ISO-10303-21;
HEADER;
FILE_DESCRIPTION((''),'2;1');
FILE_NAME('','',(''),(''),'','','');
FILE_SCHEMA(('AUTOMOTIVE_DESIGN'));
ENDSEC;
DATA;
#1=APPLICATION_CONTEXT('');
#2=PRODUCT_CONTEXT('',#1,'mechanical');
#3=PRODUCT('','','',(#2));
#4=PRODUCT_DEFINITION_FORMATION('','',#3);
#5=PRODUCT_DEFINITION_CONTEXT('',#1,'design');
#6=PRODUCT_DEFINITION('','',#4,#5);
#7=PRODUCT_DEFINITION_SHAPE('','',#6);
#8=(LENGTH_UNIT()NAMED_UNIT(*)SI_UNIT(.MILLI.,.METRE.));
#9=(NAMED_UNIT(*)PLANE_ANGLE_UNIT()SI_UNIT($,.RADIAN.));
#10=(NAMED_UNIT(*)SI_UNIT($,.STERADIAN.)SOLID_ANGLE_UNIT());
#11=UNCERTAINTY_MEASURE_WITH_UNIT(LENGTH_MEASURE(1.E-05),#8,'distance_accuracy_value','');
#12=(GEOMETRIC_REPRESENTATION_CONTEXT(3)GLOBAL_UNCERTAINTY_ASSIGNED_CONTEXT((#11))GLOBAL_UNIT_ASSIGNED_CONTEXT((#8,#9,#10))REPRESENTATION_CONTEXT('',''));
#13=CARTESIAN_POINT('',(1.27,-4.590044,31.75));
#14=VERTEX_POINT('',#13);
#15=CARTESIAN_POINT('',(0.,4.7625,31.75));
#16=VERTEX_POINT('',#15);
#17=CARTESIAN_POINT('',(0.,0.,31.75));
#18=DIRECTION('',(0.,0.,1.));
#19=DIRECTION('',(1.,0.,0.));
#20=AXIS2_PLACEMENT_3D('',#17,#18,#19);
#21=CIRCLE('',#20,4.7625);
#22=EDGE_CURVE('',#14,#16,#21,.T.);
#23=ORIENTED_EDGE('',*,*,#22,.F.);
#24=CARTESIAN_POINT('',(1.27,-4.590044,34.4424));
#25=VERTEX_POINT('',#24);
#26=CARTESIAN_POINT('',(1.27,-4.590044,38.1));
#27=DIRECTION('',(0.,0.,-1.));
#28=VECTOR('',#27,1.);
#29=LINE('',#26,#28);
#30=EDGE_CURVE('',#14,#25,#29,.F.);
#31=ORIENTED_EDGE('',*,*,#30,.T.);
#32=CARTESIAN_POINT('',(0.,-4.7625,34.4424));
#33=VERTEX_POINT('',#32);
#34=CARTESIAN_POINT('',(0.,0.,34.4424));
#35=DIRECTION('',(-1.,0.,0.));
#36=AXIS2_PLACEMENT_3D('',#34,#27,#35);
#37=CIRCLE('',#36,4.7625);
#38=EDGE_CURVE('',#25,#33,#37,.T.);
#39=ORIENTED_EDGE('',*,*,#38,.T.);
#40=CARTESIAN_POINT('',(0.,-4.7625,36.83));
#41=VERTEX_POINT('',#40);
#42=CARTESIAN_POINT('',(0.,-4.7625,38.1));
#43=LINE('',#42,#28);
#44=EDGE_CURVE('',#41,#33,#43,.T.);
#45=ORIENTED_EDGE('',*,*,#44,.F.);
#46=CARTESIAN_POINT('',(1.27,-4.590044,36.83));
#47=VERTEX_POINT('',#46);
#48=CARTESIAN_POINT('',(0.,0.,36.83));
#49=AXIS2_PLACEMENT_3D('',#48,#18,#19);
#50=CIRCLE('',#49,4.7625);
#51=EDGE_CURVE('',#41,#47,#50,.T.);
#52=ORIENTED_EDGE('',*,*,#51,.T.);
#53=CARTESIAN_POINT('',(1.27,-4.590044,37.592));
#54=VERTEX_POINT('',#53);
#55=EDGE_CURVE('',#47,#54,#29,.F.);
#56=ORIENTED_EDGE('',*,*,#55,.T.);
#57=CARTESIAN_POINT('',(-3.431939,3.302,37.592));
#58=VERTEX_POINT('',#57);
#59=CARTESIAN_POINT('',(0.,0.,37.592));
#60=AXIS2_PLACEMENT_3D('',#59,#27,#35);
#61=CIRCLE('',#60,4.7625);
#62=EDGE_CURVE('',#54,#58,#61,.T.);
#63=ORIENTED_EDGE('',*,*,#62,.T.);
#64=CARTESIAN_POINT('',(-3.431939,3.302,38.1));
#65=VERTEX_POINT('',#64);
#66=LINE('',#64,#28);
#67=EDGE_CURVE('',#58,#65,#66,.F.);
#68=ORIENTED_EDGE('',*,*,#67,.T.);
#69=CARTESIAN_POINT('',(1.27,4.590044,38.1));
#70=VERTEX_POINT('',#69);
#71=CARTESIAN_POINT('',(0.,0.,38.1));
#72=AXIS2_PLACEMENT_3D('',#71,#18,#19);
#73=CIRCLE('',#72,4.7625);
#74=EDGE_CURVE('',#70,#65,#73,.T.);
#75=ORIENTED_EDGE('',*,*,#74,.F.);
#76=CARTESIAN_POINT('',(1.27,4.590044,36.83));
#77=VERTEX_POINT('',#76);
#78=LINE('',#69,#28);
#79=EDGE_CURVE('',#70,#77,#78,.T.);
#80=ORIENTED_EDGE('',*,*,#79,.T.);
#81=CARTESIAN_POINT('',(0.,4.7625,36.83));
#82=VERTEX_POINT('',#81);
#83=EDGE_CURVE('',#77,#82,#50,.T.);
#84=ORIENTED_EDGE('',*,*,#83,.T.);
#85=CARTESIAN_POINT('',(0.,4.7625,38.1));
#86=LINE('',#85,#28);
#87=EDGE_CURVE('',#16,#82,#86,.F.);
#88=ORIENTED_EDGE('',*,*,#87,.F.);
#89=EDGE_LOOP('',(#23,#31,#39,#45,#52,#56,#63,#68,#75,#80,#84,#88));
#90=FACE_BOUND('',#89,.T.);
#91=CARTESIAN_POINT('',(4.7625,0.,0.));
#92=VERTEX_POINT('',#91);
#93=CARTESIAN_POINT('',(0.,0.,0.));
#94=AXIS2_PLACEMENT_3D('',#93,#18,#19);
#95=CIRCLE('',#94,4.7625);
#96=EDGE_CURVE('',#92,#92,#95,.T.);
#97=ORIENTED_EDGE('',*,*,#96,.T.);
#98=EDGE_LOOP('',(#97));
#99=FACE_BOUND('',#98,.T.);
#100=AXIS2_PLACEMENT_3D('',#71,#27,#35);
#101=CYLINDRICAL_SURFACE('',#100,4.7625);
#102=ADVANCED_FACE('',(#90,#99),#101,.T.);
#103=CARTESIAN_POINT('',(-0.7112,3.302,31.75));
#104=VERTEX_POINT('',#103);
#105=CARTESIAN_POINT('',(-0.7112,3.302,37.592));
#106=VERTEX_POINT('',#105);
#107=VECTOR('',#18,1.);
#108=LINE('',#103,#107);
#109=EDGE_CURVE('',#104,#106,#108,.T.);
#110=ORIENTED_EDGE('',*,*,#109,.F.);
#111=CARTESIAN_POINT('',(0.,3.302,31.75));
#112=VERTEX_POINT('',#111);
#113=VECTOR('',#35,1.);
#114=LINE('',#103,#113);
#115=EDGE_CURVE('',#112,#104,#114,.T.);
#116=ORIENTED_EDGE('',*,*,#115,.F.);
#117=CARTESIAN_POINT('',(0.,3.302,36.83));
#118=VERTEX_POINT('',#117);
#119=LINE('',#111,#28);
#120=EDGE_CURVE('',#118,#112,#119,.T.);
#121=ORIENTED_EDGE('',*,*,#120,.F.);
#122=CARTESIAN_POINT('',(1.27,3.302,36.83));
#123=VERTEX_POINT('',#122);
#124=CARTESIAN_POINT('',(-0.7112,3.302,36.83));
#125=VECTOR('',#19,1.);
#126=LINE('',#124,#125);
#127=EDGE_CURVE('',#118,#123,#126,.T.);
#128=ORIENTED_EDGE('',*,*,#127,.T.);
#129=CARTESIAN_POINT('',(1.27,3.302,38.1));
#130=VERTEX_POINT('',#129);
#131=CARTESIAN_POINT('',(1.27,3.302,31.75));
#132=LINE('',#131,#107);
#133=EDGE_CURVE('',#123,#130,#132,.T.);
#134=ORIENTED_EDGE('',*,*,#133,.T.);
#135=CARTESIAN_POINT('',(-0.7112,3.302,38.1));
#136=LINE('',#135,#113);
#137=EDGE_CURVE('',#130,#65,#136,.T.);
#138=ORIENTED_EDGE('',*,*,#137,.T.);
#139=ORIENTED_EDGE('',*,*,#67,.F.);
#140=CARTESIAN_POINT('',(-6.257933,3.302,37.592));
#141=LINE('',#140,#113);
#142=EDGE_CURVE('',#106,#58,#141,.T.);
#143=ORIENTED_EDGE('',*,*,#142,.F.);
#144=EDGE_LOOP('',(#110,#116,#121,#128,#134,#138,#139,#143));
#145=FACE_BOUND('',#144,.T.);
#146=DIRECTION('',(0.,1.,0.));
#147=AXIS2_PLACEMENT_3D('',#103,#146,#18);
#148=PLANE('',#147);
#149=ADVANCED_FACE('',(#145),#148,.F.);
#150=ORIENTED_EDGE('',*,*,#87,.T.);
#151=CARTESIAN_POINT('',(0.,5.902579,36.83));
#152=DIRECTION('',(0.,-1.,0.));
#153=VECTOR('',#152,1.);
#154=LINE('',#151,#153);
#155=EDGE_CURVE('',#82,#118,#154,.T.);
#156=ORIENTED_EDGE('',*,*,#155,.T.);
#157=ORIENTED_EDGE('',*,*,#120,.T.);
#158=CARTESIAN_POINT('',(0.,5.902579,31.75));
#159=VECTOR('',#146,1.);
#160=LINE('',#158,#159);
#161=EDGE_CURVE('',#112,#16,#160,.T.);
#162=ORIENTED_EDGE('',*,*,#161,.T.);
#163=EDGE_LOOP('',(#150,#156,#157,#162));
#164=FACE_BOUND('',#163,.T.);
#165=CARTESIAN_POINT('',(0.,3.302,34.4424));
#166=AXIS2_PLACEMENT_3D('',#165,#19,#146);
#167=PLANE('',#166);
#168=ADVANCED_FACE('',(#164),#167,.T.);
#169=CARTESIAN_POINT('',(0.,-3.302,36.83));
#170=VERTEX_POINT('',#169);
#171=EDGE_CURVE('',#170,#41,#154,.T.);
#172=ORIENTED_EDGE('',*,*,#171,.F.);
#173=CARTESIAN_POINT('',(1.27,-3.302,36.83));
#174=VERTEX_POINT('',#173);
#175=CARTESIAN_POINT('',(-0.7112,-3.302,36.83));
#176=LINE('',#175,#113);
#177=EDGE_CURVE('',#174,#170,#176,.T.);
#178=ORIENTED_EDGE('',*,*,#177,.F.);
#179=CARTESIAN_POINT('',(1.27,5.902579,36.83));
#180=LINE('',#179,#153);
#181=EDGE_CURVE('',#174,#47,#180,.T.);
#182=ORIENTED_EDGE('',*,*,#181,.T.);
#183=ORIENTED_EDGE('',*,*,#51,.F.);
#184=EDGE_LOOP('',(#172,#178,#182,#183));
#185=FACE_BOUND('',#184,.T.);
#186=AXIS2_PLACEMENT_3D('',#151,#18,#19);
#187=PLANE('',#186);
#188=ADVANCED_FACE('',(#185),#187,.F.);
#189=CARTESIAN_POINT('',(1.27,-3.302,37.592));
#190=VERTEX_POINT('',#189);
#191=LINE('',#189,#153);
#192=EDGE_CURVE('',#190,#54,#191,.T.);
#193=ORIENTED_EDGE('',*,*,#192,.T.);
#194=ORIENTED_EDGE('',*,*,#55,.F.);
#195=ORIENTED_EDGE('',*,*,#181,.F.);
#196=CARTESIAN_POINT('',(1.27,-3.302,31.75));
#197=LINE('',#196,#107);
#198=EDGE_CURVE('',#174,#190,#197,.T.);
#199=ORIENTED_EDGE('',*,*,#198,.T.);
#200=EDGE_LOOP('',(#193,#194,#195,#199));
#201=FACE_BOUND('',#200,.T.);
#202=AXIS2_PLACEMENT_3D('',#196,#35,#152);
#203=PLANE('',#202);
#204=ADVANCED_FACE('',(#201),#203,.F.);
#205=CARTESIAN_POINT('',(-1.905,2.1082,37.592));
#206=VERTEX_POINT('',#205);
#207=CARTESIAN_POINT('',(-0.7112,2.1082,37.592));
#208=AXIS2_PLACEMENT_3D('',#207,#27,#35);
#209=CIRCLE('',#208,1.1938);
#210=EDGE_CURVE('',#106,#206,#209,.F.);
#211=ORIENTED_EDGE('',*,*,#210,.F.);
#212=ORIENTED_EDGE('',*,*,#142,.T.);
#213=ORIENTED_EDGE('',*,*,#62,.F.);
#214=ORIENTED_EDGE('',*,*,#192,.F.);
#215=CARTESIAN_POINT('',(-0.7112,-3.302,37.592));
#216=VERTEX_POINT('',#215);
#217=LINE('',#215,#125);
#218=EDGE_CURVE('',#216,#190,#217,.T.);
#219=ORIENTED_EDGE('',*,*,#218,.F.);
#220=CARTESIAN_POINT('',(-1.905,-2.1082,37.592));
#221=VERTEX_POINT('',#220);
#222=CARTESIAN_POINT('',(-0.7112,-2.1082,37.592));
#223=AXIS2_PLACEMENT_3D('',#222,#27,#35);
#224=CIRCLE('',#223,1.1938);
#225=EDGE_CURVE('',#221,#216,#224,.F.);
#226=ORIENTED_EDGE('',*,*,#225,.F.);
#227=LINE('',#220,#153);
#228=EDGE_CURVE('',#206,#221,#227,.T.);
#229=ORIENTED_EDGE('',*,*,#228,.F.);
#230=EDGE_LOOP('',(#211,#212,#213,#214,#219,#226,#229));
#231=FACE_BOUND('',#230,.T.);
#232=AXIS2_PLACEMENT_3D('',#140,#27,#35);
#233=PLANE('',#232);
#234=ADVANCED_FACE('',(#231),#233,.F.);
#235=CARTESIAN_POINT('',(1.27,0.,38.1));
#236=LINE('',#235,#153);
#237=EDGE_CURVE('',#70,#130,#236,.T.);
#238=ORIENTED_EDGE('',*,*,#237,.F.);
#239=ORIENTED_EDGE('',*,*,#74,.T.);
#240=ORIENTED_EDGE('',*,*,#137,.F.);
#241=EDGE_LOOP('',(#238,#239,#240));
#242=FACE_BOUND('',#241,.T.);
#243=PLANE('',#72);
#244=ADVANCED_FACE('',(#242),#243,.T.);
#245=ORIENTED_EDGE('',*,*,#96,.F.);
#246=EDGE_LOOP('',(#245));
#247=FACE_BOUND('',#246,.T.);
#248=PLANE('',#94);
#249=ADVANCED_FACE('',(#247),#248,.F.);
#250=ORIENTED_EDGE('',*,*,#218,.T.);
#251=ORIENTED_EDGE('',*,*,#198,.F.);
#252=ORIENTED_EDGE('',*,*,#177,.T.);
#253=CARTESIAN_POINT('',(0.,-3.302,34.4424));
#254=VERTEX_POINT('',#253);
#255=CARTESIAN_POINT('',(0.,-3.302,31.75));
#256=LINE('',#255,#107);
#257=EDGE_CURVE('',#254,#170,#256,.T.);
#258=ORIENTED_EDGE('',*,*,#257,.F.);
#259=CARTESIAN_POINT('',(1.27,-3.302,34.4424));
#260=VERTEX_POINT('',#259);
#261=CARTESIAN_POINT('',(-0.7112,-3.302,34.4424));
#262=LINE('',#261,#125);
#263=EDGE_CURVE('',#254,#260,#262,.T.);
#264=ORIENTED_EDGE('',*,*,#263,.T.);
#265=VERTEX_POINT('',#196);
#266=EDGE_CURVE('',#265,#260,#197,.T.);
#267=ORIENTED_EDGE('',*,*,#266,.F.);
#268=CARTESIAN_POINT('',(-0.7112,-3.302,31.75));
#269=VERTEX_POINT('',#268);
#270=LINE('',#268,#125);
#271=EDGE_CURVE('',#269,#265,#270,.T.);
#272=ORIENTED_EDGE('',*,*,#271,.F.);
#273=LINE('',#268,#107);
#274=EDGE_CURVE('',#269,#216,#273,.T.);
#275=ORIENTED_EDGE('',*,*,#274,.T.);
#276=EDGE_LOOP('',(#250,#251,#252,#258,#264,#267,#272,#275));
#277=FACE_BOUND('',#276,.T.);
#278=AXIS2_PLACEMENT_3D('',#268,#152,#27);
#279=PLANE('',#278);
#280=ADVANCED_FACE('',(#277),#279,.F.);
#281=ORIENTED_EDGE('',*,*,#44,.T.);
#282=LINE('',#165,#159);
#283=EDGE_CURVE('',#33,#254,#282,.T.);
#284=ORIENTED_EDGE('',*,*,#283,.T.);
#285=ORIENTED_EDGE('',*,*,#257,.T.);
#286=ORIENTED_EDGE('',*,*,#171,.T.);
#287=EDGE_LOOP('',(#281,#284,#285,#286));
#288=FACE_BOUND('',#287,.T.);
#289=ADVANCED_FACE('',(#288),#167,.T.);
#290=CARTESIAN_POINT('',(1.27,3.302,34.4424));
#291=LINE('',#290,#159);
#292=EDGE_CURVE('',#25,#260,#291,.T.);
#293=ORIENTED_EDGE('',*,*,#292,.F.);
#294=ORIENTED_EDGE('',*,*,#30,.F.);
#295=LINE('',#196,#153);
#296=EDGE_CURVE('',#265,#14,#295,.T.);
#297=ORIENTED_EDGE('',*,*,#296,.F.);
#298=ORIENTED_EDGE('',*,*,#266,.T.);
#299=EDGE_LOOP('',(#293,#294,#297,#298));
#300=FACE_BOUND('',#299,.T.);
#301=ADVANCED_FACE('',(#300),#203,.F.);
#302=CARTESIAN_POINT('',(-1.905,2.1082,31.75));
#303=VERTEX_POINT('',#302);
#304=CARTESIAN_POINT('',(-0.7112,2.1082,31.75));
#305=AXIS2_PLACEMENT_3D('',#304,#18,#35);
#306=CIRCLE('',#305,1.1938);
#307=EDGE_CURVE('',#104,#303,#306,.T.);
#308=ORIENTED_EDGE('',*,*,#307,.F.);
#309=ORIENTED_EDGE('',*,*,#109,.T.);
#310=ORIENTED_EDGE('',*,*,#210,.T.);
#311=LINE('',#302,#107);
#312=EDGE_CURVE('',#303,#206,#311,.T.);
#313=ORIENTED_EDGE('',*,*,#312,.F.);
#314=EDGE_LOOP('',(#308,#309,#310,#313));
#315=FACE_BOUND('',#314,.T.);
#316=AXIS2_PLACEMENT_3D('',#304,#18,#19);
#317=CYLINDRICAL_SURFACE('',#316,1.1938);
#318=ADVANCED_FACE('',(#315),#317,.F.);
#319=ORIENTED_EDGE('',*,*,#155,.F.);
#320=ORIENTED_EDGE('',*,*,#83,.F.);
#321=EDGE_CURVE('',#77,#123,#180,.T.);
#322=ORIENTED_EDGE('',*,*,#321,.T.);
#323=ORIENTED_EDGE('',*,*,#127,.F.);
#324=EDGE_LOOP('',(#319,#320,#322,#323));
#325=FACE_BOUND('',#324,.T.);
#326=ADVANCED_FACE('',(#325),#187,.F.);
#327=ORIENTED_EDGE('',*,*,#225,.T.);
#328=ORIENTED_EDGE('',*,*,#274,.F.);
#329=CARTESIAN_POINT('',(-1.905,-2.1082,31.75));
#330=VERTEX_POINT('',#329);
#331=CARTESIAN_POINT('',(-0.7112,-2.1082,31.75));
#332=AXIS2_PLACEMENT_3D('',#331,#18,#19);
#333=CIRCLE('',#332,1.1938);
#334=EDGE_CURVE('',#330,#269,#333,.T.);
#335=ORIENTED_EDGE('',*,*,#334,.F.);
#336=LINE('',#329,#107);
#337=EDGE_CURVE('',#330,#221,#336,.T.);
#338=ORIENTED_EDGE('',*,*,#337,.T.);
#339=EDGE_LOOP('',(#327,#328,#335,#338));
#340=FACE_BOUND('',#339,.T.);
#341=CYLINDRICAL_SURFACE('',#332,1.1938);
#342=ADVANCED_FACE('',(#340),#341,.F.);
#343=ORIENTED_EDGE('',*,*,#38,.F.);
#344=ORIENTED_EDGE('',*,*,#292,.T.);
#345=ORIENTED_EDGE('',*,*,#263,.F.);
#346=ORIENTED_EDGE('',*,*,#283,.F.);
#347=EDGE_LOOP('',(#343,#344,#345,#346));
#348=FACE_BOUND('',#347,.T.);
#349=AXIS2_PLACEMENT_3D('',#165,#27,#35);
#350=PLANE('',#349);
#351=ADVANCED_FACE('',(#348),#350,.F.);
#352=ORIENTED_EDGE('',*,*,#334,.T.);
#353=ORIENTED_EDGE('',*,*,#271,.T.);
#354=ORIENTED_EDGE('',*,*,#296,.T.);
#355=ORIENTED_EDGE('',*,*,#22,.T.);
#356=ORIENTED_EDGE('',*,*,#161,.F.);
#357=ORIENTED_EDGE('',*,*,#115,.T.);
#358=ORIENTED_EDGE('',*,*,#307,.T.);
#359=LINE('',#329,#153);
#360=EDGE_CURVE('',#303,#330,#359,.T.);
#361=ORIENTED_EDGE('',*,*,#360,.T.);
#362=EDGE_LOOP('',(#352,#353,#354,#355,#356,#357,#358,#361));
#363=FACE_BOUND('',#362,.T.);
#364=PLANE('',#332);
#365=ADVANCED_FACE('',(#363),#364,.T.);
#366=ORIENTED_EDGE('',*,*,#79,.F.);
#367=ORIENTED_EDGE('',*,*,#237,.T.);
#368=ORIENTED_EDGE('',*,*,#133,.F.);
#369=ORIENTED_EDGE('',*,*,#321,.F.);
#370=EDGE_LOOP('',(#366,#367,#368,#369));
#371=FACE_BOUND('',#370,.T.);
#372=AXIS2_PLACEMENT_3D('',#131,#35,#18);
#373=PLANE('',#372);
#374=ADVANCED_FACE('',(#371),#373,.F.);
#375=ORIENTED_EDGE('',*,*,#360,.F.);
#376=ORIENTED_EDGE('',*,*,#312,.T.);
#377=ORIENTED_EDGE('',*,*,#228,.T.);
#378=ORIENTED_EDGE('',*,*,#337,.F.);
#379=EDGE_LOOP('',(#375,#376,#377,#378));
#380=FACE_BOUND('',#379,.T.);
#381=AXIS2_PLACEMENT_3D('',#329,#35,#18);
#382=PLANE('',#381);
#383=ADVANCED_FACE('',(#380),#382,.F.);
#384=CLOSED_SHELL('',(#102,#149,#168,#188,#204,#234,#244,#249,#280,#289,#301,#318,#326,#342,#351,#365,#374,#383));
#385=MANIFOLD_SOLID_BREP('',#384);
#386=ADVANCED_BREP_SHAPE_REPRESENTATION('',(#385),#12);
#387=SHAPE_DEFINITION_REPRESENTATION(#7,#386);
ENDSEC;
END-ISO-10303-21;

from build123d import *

# Parameters (mm, degrees)
SKETCH1_R      = 4.7625
EXTRUDE1_DEPTH = 38.1
EXTRUDE2_DEPTH = 6.35
SKETCH4_W      = 11.994523233
SKETCH4_H      = 10.10814551
EXTRUDE4_DEPTH = 0.508
EXTRUDE5_DEPTH = 1.27


with BuildPart() as part:
    # Sketch1 → Extrude1 (new body)
    with BuildSketch(Plane.XY):
        Circle(SKETCH1_R)
    extrude(amount=EXTRUDE1_DEPTH)

    # Sketch2 → Extrude2 (cut)
    with BuildSketch(Plane.XY.offset(38.1)):
        with BuildLine():
            Line((-0.7112, 3.302), (1.27, 3.302))
            Line((1.27, 3.302), (1.27, 10.556011527))
            Line((1.27, 10.556011527), (23.809552604, 10.556011527))
            Line((23.809552604, 10.556011527), (23.809552604, -10.556011527))
            Line((23.809552604, -10.556011527), (1.27, -10.556011527))
            Line((1.27, -10.556011527), (1.27, -3.302))
            Line((1.27, -3.302), (-0.7112, -3.302))
            ThreePointArc((-0.7112, -3.302), (-1.555344075, -2.952344075), (-1.905, -2.1082))
            Line((-1.905, -2.1082), (-1.905, 2.1082))
            ThreePointArc((-1.905, 2.1082), (-1.555344075, 2.952344075), (-0.7112, 3.302))
        make_face()
    extrude(amount=-EXTRUDE2_DEPTH, mode=Mode.SUBTRACT)

    # Sketch4 → Extrude4 (cut)
    with BuildSketch(Plane.XY.offset(38.1)):
        with Locations((-0.260671281, -1.752072755)):
            Rectangle(SKETCH4_W, SKETCH4_H)
    extrude(amount=-EXTRUDE4_DEPTH, mode=Mode.SUBTRACT)

    # Sketch5 → Extrude5 (cut)
    with BuildSketch(Plane(origin=(1.27, 0, 0), x_dir=(0, 0, -1), z_dir=(1, 0, 0))):
        Polygon((-36.83, 5.902578594), (-36.83, -11.457674659), (-34.4424, -11.457674659), (-34.4424, 3.302), (-31.75, 3.302), (-31.75, 5.902578594), align=None)
    extrude(amount=-EXTRUDE5_DEPTH, mode=Mode.SUBTRACT)


solid = part.part
